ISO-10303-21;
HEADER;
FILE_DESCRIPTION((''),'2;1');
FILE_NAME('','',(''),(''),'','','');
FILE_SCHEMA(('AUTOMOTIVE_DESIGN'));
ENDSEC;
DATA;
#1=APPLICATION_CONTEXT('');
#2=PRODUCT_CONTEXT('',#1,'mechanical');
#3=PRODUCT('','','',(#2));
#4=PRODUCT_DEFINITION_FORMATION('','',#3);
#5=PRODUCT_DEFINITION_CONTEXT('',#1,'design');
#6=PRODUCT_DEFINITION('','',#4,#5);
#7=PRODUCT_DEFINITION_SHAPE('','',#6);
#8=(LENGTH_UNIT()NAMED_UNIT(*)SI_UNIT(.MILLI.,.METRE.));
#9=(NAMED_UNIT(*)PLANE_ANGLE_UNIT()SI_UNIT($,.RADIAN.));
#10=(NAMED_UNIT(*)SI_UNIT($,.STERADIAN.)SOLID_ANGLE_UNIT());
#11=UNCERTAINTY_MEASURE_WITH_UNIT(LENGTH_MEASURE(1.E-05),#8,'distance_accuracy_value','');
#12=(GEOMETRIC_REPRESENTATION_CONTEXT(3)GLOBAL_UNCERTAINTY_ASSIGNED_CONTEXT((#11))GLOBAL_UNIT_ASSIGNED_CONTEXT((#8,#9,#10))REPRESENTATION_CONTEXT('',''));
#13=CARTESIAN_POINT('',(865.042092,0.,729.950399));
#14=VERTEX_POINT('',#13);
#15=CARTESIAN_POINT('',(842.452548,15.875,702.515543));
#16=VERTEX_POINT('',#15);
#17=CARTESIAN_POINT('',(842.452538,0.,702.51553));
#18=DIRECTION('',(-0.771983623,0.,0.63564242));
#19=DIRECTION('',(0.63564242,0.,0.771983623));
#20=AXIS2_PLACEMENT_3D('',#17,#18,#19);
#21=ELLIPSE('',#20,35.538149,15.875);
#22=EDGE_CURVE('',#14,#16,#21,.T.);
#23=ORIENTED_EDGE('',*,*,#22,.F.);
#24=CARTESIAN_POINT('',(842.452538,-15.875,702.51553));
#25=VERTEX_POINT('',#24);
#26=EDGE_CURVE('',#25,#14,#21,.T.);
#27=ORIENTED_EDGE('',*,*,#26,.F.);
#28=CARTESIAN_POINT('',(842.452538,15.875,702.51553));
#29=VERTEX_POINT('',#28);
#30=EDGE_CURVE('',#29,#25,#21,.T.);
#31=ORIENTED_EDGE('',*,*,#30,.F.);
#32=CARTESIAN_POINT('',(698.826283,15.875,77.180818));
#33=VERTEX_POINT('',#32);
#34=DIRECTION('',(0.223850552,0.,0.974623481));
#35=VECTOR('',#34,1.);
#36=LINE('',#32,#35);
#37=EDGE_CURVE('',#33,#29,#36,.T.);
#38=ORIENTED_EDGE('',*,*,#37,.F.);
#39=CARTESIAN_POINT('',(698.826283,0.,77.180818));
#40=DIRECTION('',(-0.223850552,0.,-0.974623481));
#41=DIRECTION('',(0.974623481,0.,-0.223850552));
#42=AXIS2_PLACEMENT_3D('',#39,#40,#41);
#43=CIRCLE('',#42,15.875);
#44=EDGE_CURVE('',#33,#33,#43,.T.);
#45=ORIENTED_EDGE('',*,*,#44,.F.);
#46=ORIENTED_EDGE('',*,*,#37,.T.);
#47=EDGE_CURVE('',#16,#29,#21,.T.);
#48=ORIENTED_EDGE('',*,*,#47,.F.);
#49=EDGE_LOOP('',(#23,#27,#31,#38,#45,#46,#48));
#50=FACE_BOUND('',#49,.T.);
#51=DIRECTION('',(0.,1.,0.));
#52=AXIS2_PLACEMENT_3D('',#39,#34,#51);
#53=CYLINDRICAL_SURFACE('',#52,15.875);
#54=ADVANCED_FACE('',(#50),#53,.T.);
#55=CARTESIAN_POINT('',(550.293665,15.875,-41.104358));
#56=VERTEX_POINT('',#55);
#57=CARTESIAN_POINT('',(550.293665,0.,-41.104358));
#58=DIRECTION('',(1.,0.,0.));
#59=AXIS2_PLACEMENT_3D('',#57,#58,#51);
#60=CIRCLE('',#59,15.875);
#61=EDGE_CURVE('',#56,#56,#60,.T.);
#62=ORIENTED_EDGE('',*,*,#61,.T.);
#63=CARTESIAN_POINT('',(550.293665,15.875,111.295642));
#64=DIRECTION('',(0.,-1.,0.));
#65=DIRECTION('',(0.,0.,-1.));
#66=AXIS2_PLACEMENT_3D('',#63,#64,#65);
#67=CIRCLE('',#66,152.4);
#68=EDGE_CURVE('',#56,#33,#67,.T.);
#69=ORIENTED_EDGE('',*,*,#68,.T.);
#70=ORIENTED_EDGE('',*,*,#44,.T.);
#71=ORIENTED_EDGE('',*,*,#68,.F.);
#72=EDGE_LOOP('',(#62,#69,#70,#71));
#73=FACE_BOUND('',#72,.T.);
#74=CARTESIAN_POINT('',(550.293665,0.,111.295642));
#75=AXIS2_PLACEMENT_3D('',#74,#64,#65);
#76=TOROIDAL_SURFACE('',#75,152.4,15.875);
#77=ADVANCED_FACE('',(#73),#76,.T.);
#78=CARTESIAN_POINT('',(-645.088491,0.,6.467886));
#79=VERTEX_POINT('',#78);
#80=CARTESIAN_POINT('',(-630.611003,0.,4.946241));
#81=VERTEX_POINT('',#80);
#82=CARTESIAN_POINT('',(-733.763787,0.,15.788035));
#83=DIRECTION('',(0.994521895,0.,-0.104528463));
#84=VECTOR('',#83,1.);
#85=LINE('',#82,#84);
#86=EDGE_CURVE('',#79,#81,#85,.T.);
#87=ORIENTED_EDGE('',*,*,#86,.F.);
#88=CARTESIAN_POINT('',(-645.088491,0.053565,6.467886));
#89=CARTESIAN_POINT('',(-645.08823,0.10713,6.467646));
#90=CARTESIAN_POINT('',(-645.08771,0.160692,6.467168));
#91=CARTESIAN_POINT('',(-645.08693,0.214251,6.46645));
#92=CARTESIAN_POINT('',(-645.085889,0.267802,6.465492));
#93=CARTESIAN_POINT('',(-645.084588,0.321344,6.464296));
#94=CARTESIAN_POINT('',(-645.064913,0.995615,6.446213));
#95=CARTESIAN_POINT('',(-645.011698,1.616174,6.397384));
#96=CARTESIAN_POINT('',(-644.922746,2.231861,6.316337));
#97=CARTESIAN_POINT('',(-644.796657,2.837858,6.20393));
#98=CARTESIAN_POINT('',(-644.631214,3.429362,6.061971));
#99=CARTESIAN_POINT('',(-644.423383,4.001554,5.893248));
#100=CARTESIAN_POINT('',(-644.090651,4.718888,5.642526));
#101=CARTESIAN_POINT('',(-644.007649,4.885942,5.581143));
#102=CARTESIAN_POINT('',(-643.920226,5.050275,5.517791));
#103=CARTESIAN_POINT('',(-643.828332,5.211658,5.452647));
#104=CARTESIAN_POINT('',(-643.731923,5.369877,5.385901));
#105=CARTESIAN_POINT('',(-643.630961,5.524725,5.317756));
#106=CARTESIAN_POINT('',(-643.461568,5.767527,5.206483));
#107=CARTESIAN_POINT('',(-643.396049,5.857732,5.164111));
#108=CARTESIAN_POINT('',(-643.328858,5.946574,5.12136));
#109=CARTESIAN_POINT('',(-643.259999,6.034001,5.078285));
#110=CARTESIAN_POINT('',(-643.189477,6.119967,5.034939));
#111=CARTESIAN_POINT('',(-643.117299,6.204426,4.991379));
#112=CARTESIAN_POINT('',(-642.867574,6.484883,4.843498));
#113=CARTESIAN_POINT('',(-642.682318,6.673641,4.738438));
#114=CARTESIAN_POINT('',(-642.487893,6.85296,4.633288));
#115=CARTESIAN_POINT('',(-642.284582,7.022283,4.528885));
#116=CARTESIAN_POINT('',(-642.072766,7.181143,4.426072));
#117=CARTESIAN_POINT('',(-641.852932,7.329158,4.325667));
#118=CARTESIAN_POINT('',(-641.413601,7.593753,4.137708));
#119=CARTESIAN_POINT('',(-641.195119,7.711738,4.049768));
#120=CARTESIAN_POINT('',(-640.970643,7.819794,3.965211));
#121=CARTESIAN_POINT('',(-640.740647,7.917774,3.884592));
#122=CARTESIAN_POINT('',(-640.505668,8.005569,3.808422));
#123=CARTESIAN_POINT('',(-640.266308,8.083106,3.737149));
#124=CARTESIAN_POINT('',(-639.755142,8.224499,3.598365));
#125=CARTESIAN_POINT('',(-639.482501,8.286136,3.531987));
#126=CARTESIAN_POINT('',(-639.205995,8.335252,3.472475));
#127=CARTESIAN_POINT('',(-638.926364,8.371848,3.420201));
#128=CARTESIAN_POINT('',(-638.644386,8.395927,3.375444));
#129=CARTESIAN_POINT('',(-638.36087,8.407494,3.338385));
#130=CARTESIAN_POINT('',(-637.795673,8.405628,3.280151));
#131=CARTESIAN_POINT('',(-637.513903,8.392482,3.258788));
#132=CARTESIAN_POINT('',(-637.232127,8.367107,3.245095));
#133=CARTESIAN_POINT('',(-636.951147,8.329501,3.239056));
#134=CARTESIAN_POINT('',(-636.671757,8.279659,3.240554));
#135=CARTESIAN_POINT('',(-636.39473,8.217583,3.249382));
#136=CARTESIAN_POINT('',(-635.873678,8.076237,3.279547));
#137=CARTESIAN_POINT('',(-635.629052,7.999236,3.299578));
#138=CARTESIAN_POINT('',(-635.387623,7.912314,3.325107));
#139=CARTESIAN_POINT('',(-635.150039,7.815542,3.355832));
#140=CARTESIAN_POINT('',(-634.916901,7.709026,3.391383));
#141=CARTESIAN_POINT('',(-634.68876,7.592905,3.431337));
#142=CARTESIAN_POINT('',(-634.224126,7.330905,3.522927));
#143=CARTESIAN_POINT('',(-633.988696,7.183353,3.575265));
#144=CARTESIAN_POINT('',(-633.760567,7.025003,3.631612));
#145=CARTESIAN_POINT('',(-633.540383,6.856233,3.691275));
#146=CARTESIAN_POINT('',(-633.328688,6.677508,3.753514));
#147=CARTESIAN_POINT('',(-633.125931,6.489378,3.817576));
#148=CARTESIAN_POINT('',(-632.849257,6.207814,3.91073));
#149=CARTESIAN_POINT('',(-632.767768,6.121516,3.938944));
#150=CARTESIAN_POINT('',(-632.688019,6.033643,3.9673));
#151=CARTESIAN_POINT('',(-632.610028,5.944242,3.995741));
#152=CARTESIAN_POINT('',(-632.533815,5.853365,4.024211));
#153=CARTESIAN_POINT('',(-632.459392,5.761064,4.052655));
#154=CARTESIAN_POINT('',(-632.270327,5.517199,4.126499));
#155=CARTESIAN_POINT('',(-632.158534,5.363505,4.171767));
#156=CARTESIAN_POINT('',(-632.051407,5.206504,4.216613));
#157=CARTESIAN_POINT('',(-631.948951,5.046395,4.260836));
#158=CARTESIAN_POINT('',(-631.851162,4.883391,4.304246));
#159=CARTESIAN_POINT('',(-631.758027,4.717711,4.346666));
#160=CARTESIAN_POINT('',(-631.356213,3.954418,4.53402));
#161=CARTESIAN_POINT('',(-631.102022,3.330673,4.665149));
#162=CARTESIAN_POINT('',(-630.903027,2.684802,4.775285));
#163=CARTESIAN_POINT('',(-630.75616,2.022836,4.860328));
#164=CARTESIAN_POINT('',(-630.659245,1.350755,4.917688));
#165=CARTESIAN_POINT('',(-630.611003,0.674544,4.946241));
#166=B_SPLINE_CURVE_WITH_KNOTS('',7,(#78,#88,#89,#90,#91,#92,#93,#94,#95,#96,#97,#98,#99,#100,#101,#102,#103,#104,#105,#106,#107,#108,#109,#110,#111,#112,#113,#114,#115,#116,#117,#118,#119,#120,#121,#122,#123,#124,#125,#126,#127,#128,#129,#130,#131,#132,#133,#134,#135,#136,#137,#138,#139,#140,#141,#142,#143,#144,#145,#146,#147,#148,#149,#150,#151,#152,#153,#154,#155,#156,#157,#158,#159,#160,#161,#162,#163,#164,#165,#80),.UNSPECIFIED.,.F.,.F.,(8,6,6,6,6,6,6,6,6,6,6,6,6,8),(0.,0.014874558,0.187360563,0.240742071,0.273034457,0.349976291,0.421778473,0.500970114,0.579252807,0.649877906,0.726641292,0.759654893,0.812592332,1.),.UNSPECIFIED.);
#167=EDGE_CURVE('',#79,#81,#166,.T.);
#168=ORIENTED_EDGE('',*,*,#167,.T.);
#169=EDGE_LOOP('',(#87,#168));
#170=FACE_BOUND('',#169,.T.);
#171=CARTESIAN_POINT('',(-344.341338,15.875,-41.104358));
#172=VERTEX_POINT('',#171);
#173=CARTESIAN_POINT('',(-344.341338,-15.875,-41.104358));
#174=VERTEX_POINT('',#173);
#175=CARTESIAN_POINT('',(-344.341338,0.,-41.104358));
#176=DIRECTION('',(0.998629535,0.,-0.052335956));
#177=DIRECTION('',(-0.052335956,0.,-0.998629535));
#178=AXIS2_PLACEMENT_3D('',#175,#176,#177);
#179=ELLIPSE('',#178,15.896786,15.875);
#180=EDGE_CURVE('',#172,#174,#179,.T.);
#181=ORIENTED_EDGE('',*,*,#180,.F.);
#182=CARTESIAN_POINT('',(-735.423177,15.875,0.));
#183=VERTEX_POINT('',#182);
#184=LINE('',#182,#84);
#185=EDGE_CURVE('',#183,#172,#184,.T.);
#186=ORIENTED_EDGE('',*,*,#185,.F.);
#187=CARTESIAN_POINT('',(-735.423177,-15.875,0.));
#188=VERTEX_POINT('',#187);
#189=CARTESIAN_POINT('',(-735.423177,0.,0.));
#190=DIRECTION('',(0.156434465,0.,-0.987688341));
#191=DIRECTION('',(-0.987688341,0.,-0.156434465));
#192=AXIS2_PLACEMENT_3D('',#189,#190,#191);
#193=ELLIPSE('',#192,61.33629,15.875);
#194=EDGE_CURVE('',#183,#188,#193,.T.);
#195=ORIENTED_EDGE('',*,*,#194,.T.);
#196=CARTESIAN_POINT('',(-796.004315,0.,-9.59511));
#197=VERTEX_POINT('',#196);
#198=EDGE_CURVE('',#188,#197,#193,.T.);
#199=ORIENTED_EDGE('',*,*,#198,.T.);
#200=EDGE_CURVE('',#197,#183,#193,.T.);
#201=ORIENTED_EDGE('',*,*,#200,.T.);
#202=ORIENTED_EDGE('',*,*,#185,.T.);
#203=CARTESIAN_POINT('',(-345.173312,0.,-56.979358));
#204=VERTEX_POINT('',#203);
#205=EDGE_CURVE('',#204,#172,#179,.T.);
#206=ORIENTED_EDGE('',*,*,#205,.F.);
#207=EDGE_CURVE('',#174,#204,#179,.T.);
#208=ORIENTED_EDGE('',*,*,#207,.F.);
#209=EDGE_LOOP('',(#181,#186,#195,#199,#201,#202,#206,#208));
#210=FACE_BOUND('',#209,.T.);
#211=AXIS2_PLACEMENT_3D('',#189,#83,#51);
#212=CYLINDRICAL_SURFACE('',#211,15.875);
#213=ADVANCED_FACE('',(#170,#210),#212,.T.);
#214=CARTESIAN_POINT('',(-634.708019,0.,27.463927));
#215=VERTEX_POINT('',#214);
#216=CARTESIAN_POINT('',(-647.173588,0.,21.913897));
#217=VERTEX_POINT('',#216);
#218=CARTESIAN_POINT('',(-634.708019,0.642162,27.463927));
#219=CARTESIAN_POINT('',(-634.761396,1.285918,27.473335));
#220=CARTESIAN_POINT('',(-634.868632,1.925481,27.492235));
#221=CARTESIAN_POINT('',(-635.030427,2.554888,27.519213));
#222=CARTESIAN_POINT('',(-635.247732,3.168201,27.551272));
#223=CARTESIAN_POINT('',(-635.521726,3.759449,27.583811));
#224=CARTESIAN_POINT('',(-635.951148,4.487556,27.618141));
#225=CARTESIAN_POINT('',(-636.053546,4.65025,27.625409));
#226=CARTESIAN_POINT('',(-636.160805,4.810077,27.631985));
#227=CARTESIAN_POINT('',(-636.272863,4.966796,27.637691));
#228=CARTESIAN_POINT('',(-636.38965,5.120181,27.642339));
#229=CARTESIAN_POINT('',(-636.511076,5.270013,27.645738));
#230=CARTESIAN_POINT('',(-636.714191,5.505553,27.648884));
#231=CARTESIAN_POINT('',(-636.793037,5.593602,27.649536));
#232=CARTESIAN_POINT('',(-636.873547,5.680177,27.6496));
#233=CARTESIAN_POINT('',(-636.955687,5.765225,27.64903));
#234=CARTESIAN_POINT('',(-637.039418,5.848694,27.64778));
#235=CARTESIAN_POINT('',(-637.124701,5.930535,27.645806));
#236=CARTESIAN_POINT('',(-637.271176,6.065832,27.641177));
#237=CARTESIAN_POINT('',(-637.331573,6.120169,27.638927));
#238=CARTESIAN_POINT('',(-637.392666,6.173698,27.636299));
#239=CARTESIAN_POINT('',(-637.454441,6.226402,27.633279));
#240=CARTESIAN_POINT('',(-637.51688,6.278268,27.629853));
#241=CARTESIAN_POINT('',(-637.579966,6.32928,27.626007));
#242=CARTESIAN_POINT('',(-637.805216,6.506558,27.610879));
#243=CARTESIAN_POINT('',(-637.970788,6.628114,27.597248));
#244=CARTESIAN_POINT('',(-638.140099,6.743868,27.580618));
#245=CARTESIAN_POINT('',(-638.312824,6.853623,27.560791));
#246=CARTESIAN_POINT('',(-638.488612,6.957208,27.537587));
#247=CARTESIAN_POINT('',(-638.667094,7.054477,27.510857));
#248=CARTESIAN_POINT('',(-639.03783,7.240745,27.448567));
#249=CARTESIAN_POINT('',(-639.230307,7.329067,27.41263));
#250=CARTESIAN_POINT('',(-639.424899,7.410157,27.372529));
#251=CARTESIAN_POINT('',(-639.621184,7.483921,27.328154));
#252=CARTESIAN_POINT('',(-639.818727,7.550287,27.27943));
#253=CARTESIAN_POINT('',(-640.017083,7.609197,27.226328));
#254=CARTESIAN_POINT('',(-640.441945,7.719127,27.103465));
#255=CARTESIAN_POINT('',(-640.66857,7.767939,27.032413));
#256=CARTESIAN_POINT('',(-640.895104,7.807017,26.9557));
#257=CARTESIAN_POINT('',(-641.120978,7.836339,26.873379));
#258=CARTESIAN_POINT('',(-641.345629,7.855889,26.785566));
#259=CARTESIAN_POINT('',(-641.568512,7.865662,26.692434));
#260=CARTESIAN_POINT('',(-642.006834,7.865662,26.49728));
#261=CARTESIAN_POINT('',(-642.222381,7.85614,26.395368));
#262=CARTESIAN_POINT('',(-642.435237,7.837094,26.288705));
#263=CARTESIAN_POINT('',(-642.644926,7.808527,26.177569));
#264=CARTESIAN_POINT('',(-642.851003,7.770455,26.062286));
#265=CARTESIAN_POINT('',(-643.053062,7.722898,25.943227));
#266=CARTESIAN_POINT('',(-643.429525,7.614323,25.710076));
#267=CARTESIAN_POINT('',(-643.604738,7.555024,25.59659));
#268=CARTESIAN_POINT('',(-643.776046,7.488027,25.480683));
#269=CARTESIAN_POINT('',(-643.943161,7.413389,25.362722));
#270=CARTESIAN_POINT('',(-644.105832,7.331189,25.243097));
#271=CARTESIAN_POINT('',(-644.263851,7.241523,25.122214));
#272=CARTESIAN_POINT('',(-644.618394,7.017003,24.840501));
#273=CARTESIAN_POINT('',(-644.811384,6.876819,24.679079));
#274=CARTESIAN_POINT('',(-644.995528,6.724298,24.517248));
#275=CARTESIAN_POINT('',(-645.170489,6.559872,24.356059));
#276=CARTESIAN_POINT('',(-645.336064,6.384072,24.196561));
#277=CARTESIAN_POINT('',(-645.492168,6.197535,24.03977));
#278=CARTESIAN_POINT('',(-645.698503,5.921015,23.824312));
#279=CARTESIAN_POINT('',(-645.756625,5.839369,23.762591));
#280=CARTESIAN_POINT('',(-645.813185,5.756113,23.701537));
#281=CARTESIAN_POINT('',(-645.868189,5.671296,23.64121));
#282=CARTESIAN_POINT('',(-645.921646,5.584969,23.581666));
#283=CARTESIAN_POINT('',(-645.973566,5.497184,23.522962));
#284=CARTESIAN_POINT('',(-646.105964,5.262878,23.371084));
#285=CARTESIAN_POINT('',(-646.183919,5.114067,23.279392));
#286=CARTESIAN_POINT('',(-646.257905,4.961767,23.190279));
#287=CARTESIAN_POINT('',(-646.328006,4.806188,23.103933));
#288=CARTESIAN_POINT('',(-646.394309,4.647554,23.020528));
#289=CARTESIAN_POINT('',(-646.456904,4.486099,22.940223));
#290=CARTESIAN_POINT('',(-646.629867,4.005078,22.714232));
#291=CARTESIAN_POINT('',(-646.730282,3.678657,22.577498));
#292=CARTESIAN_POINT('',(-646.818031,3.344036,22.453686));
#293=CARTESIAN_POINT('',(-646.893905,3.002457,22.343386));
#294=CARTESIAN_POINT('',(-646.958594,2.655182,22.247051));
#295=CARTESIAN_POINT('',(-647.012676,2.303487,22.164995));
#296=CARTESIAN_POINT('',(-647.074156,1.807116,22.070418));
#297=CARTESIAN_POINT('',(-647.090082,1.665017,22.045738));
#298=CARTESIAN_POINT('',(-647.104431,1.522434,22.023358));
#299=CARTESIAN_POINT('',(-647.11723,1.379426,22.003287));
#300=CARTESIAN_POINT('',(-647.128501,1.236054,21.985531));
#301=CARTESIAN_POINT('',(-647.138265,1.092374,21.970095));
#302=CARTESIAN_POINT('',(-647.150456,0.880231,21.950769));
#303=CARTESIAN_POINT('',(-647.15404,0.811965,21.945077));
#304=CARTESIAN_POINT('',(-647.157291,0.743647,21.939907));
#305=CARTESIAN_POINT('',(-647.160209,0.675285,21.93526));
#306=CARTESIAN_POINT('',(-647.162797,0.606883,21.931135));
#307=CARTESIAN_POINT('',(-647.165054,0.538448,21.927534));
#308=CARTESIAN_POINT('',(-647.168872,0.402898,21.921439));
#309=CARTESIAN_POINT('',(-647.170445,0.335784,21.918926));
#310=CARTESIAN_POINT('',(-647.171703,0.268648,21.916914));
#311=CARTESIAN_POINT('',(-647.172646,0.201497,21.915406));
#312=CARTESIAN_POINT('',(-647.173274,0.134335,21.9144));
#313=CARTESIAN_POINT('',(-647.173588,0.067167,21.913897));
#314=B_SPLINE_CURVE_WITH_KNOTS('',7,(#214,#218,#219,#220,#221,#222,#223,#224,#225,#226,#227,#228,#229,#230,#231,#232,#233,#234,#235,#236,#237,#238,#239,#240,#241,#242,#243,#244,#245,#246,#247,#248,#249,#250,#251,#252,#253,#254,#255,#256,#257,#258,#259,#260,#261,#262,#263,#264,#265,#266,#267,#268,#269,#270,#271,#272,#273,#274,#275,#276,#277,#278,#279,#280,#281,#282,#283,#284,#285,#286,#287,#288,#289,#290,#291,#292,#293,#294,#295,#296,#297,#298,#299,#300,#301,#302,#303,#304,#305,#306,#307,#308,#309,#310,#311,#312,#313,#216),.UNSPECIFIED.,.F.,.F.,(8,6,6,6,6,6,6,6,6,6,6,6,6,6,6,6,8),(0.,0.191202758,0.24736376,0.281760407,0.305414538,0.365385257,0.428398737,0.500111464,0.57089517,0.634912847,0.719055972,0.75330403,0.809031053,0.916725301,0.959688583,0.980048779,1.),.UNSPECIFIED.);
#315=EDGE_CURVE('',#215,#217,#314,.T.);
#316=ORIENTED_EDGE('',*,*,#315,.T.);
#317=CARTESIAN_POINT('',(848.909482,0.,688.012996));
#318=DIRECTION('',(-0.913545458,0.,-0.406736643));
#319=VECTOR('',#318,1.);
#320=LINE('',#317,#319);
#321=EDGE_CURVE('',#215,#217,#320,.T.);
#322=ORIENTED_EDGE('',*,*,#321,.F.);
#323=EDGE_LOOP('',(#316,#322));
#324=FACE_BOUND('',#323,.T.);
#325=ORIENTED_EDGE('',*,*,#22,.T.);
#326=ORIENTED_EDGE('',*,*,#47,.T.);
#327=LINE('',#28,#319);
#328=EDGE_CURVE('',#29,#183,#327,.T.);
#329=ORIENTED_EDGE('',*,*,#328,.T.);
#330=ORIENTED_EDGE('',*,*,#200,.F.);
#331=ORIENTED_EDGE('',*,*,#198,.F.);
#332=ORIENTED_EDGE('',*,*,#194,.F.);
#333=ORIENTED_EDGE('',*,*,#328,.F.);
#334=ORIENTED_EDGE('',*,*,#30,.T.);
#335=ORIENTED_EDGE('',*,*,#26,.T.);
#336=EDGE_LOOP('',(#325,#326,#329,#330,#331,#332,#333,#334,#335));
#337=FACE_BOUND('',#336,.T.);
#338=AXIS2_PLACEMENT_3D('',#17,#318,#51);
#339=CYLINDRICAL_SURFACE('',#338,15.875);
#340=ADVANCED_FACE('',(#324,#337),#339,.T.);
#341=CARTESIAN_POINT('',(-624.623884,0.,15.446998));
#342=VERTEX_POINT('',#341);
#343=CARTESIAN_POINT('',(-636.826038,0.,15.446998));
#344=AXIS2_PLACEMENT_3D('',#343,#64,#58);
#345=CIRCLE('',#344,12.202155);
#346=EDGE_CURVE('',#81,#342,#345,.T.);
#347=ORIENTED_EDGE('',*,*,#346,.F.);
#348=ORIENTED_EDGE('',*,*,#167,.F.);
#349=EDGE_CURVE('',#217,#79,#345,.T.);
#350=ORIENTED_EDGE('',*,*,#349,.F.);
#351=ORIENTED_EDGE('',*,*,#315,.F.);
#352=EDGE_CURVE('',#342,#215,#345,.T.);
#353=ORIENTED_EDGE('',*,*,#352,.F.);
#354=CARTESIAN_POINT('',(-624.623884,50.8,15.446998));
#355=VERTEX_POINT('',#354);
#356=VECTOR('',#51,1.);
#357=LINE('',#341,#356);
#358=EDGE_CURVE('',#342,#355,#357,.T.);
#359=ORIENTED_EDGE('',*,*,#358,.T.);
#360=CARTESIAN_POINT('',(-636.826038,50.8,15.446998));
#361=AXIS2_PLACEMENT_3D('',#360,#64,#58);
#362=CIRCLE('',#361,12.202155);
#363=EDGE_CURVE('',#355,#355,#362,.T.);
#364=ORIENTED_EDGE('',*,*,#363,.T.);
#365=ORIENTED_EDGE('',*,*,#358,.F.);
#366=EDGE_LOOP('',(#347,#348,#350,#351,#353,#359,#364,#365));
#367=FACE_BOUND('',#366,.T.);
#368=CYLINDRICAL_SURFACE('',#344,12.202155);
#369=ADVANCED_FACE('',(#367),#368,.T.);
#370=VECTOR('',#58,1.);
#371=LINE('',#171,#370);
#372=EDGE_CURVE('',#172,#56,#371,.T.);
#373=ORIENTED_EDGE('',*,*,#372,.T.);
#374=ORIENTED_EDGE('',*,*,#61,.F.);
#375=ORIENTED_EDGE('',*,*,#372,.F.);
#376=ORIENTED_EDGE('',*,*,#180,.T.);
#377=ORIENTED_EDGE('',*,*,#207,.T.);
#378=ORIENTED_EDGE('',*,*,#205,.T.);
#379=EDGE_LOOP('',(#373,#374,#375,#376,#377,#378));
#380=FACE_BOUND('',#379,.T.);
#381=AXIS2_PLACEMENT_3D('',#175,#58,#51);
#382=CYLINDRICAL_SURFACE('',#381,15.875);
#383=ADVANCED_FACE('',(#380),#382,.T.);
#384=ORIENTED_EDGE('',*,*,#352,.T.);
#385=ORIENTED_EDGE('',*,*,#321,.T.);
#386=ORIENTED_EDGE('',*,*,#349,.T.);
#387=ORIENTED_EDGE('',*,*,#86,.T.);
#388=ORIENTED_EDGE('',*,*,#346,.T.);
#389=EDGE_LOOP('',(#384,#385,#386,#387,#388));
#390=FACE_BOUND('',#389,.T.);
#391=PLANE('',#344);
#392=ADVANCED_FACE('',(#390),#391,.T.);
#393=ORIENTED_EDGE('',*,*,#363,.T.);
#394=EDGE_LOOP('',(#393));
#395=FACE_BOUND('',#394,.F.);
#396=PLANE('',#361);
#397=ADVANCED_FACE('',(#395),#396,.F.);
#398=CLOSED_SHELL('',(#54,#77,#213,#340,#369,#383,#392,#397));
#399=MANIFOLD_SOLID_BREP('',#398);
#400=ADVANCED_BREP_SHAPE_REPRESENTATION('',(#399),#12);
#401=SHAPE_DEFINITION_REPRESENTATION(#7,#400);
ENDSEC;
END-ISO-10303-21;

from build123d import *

# Parameters (mm, degrees)
F1_R     = 15.875
F3_R     = 12.2021545383
F4_DEPTH = 50.8


with BuildPart() as f2:
    # F2: sweep along a path in F0
    with BuildLine(Plane.XZ) as f2_path:
        Line((-344.3413384318, -41.1043575529), (550.2936645415, -41.1043575529))
        ThreePointArc((550.2936645415, -41.1043575529), (645.2322257553, -7.9202524438), (698.826283108, 77.1808183703))
        Line((698.826283108, 77.1808183703), (842.452537594, 702.5155299205))
        Line((842.452537594, 702.5155299205), (-735.4231768463, 0))
        Line((-735.4231768463, 0), (-344.3413384318, -41.1043575529))
    # F1 (on Right) → F2 (sweep)
    with BuildSketch(Plane.YZ):
        with Locations((0, -41.1043575529)):
            Circle(F1_R)
    sweep(path=f2_path.line, transition=Transition.RIGHT)

    # F3 (on Front) → F4 (join)
    with BuildSketch(Plane.XZ):
        with Locations((-636.8260383606, 15.446998179)):
            Circle(F3_R)
    extrude(amount=-F4_DEPTH)


solid = f2.part
